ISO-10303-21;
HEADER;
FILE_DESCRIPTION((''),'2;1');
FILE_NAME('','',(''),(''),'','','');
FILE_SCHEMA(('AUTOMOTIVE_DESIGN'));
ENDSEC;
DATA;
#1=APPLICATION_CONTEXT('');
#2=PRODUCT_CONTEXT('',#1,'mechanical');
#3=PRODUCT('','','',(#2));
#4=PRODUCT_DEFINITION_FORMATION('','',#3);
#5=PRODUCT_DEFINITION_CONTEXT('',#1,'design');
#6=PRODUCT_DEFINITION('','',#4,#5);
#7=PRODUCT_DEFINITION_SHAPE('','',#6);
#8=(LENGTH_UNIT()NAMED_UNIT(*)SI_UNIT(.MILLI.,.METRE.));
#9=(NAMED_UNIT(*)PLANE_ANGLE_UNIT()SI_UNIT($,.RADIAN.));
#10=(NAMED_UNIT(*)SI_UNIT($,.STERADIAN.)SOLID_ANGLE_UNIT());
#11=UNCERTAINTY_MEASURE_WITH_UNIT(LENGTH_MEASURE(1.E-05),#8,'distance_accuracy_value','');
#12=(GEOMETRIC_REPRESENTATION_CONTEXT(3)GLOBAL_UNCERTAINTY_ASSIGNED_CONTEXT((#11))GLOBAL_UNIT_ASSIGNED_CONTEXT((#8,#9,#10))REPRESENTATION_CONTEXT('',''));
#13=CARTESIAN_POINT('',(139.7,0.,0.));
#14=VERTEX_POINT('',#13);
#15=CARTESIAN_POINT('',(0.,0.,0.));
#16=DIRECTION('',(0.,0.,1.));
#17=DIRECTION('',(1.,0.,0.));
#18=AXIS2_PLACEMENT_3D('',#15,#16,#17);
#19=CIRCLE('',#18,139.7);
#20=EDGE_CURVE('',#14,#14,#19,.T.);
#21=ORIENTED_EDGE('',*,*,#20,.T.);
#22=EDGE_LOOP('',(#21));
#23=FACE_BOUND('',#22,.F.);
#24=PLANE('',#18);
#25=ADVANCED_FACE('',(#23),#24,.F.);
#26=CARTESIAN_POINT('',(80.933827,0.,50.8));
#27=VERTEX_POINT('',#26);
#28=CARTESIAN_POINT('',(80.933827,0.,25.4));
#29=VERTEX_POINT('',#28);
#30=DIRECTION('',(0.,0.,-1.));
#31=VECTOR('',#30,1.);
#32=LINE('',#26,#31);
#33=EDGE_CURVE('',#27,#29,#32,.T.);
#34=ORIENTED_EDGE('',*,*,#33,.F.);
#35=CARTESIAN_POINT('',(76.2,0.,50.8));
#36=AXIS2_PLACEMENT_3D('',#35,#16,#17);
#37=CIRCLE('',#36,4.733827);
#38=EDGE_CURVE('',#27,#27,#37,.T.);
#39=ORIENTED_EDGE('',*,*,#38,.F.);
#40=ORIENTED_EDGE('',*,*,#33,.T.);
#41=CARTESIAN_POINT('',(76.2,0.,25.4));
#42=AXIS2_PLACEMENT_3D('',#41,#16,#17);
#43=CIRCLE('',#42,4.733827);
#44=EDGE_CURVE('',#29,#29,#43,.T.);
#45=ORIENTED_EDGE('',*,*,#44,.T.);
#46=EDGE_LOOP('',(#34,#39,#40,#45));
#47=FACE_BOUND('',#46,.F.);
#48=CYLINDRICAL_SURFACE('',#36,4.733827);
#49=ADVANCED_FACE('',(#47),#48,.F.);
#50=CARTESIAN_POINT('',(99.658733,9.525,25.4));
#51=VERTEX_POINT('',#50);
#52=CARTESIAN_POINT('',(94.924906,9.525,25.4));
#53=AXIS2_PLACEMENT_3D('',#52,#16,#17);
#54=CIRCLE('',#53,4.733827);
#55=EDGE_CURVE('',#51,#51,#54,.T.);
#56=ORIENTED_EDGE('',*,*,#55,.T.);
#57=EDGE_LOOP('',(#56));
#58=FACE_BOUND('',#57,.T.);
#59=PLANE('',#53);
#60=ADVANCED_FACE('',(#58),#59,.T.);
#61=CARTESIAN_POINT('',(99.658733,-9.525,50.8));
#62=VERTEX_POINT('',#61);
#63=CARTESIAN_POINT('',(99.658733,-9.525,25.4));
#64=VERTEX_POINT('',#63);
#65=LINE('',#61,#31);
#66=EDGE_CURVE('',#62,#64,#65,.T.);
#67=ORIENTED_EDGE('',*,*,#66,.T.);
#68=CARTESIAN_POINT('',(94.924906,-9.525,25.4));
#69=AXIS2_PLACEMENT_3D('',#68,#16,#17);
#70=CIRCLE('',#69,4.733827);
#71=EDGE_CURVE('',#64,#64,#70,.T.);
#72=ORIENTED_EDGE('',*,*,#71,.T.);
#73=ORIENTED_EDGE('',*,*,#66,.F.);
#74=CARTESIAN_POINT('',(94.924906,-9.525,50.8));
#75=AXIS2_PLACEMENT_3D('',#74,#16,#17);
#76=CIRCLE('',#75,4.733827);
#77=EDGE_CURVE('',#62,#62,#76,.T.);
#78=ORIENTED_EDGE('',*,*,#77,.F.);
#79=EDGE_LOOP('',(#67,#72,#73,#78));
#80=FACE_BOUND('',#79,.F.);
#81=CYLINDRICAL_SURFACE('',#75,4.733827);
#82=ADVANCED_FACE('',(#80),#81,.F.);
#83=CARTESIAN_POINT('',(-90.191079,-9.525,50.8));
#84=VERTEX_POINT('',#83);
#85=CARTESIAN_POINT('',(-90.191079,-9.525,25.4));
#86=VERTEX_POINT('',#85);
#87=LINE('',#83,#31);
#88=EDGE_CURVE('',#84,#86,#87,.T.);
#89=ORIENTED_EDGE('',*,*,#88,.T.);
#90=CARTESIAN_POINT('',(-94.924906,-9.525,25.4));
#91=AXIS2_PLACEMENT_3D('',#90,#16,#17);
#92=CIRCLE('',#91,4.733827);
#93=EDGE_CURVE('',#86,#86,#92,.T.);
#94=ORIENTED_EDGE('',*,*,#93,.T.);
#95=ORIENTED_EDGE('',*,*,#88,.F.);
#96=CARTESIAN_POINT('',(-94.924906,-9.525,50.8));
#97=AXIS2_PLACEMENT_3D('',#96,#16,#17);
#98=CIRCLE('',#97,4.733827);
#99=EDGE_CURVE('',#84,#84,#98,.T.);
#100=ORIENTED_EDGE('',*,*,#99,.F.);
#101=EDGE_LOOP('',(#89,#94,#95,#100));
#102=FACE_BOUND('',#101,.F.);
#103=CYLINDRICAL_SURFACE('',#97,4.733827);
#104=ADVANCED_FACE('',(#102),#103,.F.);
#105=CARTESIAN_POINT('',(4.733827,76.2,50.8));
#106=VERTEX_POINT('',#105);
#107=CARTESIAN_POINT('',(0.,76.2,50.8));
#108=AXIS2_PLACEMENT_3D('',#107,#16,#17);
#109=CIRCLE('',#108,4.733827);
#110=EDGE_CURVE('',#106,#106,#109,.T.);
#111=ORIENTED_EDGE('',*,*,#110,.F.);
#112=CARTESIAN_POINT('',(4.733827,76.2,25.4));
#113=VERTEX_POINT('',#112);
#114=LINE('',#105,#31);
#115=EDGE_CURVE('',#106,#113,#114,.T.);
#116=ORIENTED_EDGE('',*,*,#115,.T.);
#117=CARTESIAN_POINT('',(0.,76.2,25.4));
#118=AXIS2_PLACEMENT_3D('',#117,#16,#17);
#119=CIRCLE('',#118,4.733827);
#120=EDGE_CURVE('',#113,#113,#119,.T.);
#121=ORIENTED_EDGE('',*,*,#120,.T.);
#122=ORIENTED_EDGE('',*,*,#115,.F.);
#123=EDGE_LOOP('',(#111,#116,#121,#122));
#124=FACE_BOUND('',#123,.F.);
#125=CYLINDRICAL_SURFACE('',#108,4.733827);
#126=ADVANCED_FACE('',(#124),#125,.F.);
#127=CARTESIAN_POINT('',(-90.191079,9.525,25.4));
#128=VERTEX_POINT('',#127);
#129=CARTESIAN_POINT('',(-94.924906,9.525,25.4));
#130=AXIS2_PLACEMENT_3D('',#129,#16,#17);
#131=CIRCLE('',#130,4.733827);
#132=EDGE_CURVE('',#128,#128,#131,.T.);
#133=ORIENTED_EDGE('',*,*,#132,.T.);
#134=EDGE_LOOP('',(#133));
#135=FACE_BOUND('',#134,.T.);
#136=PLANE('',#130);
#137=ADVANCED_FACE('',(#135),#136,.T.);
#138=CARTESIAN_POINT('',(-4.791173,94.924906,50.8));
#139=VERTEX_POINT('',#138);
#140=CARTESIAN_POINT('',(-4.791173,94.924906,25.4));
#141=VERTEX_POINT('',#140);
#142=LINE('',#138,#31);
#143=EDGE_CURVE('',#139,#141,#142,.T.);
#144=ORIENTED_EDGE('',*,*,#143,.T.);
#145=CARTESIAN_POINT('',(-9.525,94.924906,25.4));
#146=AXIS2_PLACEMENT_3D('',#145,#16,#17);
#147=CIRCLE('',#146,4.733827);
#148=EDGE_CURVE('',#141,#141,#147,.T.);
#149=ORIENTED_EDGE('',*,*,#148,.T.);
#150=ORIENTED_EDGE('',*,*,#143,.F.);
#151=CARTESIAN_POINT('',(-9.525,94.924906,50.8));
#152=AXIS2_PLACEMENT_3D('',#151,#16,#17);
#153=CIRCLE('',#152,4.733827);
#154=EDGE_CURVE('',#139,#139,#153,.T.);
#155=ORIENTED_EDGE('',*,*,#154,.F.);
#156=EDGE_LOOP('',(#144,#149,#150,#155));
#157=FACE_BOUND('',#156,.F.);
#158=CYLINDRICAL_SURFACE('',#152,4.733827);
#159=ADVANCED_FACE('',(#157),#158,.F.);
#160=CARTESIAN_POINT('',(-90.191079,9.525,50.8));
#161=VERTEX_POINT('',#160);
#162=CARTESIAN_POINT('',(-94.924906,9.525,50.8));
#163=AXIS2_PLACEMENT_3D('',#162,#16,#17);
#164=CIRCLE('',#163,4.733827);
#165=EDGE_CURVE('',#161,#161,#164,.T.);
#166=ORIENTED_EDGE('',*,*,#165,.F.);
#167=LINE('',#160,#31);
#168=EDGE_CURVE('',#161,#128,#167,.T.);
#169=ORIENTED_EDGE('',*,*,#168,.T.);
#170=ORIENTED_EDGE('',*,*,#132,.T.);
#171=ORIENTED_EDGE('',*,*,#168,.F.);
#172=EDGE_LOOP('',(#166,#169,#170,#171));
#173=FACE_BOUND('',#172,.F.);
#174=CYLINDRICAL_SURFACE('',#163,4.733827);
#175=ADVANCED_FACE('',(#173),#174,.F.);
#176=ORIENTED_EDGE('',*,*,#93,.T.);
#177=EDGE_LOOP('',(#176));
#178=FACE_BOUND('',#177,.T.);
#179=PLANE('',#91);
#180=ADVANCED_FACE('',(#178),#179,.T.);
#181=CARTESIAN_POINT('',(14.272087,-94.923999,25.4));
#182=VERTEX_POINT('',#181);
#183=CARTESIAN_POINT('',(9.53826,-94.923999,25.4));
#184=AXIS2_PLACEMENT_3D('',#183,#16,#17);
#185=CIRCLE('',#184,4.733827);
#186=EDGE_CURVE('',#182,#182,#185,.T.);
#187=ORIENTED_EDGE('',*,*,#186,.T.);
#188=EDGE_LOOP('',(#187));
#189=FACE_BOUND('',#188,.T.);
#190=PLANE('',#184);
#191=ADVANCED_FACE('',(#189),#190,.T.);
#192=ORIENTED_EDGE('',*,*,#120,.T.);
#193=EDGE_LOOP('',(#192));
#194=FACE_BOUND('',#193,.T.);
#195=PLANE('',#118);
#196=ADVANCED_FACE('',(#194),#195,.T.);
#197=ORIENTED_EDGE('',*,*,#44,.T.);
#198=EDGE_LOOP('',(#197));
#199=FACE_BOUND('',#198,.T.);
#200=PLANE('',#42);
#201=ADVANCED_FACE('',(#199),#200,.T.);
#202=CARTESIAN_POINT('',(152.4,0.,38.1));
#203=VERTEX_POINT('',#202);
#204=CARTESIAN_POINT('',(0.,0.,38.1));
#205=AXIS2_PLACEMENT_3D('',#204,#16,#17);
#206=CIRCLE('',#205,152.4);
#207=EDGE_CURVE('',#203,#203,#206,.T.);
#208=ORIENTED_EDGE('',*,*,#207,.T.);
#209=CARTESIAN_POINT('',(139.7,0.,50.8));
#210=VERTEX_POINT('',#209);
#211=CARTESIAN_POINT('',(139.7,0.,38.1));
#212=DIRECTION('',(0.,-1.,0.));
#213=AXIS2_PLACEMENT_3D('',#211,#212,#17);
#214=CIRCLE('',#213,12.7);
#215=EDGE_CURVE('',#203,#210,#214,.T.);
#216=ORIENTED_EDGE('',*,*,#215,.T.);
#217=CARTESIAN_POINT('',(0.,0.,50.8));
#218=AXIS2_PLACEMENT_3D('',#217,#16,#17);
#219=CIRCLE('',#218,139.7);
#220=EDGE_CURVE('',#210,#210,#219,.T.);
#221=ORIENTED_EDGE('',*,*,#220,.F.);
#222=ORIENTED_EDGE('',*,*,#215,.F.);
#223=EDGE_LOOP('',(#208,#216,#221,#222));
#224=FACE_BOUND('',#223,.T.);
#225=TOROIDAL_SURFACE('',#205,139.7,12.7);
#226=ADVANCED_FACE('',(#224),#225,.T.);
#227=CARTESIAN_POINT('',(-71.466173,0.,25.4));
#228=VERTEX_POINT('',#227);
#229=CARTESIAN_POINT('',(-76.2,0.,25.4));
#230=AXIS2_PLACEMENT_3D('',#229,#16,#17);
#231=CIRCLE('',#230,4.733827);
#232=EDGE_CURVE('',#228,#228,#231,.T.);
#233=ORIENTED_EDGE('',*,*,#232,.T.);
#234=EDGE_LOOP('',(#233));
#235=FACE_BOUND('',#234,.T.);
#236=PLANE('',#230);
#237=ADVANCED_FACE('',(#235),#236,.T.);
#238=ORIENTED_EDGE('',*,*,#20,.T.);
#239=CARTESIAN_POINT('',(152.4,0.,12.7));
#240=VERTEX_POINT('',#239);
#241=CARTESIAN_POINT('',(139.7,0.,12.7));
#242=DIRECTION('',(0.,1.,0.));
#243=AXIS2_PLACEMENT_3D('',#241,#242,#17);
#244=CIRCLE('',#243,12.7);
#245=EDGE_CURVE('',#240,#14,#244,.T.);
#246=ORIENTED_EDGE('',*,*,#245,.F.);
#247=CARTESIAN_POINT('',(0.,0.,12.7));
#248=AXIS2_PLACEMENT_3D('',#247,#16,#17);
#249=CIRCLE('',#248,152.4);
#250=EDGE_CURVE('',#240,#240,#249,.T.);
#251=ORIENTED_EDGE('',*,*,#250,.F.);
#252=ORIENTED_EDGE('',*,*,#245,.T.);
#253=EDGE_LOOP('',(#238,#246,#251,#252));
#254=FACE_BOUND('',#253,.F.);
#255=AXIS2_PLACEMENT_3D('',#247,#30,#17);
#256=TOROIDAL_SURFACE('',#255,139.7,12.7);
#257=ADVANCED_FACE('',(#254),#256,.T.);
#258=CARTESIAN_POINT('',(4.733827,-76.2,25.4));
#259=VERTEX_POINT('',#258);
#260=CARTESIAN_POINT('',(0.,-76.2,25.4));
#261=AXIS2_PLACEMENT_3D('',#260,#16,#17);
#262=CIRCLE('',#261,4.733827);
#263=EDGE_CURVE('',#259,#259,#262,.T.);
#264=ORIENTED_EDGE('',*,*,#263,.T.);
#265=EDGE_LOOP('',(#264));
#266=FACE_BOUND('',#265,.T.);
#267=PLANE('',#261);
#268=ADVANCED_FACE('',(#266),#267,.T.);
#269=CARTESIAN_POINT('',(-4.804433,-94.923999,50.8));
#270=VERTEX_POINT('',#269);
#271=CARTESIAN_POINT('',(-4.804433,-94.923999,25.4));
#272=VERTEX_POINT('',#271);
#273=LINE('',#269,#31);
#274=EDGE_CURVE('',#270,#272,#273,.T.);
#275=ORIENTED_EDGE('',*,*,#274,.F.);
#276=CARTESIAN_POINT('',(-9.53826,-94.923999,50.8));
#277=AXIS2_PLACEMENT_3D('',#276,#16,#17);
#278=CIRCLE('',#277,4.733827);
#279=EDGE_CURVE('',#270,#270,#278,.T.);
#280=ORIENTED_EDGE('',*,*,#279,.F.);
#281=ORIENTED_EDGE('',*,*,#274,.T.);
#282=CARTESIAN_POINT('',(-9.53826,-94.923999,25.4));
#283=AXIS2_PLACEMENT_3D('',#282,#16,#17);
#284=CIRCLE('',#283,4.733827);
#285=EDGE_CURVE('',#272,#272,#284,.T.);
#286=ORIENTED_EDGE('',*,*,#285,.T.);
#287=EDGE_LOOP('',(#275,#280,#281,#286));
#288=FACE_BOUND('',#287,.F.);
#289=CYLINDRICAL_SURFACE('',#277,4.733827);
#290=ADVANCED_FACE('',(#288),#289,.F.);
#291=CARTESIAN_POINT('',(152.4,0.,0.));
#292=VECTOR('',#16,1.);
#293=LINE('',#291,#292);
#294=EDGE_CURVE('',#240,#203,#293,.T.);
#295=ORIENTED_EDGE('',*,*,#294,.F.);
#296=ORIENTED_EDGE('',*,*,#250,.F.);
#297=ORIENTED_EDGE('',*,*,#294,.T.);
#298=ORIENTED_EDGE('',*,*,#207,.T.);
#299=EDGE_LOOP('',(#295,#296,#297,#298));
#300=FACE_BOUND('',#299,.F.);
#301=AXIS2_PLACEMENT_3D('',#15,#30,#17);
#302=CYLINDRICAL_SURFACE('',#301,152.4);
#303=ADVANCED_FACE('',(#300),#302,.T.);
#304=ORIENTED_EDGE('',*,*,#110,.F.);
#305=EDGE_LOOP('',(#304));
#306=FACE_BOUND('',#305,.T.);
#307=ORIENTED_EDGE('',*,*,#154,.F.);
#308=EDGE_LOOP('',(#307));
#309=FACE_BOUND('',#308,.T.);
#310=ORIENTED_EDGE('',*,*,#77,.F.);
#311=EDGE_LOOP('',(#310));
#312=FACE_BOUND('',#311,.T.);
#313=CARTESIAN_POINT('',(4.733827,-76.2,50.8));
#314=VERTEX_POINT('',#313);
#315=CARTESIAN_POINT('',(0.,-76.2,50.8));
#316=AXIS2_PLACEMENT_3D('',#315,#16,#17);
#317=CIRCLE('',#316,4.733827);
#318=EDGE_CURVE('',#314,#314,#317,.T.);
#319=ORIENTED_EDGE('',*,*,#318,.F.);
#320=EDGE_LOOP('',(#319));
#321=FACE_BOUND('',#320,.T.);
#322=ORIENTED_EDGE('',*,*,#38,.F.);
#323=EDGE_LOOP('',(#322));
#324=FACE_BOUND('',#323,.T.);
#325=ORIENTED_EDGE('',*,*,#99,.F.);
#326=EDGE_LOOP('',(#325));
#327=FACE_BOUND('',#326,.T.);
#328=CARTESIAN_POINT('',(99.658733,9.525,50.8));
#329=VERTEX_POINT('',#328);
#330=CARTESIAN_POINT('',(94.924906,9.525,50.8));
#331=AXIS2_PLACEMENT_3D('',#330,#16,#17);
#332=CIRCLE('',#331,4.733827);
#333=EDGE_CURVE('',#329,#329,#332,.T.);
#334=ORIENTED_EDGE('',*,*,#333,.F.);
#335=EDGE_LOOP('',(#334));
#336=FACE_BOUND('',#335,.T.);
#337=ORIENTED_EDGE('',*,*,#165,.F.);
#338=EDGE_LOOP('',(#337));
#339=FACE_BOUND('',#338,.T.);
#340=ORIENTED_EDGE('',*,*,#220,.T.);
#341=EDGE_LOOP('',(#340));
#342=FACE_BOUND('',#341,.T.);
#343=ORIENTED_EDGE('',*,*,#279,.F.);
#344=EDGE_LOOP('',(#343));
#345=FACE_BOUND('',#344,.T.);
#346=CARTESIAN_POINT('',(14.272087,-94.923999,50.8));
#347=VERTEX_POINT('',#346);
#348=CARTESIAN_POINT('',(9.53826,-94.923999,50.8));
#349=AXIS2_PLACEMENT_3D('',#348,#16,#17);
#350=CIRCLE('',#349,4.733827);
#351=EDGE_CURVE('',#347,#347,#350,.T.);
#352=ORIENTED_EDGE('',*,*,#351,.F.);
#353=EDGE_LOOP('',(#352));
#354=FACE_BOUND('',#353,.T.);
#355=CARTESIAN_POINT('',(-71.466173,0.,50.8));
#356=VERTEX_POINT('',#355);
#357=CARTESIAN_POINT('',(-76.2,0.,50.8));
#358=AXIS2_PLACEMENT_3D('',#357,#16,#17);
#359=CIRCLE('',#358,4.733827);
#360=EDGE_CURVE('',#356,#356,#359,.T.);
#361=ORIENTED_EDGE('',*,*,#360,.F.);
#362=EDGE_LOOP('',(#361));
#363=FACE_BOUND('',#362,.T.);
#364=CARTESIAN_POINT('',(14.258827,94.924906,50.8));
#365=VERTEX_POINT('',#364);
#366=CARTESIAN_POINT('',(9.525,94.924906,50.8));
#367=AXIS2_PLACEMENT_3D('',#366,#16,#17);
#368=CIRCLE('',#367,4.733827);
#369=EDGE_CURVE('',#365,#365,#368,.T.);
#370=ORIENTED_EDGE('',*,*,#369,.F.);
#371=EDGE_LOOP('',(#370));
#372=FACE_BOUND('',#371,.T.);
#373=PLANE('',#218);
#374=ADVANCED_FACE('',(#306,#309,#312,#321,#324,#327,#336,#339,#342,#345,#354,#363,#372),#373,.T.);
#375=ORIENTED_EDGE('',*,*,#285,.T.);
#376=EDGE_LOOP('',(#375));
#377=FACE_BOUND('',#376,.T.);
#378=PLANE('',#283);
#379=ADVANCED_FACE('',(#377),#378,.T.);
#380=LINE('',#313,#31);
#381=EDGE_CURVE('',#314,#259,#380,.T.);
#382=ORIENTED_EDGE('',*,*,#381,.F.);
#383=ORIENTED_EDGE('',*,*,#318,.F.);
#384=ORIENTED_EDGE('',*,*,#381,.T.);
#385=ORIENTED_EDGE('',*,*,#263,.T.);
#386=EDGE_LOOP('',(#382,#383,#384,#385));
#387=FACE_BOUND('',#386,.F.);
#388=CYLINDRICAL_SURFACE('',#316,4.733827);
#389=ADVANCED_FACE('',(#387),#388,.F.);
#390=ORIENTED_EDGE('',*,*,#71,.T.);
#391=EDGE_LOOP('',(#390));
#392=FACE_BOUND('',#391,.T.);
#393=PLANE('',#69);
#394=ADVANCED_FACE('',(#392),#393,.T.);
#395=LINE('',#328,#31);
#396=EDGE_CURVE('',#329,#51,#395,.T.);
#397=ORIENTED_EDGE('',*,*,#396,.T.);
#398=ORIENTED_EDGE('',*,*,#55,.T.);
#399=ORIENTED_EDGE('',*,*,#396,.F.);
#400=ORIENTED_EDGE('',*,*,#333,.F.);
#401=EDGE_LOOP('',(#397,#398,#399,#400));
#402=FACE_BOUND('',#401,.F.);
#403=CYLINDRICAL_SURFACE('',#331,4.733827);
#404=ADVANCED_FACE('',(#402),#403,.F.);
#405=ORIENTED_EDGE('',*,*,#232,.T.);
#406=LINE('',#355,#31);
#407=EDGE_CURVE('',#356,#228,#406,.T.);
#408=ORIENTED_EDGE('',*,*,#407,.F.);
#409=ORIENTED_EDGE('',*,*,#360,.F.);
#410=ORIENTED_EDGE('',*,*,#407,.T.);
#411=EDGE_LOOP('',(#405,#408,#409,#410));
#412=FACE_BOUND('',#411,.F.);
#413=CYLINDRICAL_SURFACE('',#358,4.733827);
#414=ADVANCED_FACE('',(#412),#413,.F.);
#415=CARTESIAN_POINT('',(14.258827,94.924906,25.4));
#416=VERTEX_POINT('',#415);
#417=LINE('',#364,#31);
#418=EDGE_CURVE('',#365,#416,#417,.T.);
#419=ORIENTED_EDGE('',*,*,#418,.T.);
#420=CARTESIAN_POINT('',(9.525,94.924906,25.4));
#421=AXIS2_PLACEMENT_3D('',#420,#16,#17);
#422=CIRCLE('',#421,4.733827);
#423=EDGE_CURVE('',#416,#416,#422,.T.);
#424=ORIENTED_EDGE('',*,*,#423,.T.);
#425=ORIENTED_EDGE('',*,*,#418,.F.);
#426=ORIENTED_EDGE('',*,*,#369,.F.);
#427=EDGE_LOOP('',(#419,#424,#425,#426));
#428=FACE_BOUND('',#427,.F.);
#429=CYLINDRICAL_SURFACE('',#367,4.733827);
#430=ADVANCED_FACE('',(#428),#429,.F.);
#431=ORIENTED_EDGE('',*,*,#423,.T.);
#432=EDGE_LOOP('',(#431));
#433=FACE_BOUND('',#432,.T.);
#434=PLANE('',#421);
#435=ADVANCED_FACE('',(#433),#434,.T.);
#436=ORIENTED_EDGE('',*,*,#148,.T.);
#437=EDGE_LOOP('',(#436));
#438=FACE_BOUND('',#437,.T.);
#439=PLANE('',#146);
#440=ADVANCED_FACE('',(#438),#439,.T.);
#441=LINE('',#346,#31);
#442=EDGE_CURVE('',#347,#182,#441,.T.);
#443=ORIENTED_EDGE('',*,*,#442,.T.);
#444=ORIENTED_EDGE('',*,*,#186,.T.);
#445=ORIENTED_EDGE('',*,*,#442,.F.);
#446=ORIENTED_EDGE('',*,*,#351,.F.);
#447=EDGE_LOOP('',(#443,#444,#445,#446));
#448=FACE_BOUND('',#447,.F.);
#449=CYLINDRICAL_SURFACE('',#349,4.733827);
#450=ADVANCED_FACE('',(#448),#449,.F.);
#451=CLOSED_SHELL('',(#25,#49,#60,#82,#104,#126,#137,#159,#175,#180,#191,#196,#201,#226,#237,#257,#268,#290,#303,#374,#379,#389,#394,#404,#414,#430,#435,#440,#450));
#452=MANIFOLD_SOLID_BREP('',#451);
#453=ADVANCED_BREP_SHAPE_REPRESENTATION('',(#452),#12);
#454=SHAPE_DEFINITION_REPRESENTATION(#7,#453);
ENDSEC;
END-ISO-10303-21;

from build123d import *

# Parameters (mm, degrees)
F0_R     = 152.4
F1_DEPTH = 50.8
F2_R     = 12.7
F3_R     = 4.733827
F4_DEPTH = 25.4


with BuildPart() as f1:
    # F0 (on Top) → F1 (new body)
    with BuildSketch(Plane.XY):
        Circle(F0_R)
    extrude(amount=F1_DEPTH)

    # F2
    f2_edges = [f1.edges().sort_by_distance(p)[0] for p in [
        (-152.4, 0, 50.8),
        (-152.4, 0, 0),
    ]]
    fillet(f2_edges, radius=F2_R)

    # F3 (on face) → F4 (cut)
    with BuildSketch(Plane.XY.offset(50.8)):
        with Locations((-94.924906, -9.525)):
            Circle(F3_R)
        with Locations((-94.924906, 9.525)):
            Circle(F3_R)
        with Locations((-76.2, 0)):
            Circle(F3_R)
        with Locations((-9.53826, -94.923999)):
            Circle(F3_R)
        with Locations((0, -76.2)):
            Circle(F3_R)
        with Locations((9.53826, -94.923999)):
            Circle(F3_R)
        with Locations((76.2, 0)):
            Circle(F3_R)
        with Locations((94.924906, 9.525)):
            Circle(F3_R)
        with Locations((94.924906, -9.525)):
            Circle(F3_R)
        with Locations((0, 76.2)):
            Circle(F3_R)
        with Locations((9.525, 94.924906)):
            Circle(F3_R)
        with Locations((-9.525, 94.924906)):
            Circle(F3_R)
    extrude(amount=-F4_DEPTH, mode=Mode.SUBTRACT)


solid = f1.part
